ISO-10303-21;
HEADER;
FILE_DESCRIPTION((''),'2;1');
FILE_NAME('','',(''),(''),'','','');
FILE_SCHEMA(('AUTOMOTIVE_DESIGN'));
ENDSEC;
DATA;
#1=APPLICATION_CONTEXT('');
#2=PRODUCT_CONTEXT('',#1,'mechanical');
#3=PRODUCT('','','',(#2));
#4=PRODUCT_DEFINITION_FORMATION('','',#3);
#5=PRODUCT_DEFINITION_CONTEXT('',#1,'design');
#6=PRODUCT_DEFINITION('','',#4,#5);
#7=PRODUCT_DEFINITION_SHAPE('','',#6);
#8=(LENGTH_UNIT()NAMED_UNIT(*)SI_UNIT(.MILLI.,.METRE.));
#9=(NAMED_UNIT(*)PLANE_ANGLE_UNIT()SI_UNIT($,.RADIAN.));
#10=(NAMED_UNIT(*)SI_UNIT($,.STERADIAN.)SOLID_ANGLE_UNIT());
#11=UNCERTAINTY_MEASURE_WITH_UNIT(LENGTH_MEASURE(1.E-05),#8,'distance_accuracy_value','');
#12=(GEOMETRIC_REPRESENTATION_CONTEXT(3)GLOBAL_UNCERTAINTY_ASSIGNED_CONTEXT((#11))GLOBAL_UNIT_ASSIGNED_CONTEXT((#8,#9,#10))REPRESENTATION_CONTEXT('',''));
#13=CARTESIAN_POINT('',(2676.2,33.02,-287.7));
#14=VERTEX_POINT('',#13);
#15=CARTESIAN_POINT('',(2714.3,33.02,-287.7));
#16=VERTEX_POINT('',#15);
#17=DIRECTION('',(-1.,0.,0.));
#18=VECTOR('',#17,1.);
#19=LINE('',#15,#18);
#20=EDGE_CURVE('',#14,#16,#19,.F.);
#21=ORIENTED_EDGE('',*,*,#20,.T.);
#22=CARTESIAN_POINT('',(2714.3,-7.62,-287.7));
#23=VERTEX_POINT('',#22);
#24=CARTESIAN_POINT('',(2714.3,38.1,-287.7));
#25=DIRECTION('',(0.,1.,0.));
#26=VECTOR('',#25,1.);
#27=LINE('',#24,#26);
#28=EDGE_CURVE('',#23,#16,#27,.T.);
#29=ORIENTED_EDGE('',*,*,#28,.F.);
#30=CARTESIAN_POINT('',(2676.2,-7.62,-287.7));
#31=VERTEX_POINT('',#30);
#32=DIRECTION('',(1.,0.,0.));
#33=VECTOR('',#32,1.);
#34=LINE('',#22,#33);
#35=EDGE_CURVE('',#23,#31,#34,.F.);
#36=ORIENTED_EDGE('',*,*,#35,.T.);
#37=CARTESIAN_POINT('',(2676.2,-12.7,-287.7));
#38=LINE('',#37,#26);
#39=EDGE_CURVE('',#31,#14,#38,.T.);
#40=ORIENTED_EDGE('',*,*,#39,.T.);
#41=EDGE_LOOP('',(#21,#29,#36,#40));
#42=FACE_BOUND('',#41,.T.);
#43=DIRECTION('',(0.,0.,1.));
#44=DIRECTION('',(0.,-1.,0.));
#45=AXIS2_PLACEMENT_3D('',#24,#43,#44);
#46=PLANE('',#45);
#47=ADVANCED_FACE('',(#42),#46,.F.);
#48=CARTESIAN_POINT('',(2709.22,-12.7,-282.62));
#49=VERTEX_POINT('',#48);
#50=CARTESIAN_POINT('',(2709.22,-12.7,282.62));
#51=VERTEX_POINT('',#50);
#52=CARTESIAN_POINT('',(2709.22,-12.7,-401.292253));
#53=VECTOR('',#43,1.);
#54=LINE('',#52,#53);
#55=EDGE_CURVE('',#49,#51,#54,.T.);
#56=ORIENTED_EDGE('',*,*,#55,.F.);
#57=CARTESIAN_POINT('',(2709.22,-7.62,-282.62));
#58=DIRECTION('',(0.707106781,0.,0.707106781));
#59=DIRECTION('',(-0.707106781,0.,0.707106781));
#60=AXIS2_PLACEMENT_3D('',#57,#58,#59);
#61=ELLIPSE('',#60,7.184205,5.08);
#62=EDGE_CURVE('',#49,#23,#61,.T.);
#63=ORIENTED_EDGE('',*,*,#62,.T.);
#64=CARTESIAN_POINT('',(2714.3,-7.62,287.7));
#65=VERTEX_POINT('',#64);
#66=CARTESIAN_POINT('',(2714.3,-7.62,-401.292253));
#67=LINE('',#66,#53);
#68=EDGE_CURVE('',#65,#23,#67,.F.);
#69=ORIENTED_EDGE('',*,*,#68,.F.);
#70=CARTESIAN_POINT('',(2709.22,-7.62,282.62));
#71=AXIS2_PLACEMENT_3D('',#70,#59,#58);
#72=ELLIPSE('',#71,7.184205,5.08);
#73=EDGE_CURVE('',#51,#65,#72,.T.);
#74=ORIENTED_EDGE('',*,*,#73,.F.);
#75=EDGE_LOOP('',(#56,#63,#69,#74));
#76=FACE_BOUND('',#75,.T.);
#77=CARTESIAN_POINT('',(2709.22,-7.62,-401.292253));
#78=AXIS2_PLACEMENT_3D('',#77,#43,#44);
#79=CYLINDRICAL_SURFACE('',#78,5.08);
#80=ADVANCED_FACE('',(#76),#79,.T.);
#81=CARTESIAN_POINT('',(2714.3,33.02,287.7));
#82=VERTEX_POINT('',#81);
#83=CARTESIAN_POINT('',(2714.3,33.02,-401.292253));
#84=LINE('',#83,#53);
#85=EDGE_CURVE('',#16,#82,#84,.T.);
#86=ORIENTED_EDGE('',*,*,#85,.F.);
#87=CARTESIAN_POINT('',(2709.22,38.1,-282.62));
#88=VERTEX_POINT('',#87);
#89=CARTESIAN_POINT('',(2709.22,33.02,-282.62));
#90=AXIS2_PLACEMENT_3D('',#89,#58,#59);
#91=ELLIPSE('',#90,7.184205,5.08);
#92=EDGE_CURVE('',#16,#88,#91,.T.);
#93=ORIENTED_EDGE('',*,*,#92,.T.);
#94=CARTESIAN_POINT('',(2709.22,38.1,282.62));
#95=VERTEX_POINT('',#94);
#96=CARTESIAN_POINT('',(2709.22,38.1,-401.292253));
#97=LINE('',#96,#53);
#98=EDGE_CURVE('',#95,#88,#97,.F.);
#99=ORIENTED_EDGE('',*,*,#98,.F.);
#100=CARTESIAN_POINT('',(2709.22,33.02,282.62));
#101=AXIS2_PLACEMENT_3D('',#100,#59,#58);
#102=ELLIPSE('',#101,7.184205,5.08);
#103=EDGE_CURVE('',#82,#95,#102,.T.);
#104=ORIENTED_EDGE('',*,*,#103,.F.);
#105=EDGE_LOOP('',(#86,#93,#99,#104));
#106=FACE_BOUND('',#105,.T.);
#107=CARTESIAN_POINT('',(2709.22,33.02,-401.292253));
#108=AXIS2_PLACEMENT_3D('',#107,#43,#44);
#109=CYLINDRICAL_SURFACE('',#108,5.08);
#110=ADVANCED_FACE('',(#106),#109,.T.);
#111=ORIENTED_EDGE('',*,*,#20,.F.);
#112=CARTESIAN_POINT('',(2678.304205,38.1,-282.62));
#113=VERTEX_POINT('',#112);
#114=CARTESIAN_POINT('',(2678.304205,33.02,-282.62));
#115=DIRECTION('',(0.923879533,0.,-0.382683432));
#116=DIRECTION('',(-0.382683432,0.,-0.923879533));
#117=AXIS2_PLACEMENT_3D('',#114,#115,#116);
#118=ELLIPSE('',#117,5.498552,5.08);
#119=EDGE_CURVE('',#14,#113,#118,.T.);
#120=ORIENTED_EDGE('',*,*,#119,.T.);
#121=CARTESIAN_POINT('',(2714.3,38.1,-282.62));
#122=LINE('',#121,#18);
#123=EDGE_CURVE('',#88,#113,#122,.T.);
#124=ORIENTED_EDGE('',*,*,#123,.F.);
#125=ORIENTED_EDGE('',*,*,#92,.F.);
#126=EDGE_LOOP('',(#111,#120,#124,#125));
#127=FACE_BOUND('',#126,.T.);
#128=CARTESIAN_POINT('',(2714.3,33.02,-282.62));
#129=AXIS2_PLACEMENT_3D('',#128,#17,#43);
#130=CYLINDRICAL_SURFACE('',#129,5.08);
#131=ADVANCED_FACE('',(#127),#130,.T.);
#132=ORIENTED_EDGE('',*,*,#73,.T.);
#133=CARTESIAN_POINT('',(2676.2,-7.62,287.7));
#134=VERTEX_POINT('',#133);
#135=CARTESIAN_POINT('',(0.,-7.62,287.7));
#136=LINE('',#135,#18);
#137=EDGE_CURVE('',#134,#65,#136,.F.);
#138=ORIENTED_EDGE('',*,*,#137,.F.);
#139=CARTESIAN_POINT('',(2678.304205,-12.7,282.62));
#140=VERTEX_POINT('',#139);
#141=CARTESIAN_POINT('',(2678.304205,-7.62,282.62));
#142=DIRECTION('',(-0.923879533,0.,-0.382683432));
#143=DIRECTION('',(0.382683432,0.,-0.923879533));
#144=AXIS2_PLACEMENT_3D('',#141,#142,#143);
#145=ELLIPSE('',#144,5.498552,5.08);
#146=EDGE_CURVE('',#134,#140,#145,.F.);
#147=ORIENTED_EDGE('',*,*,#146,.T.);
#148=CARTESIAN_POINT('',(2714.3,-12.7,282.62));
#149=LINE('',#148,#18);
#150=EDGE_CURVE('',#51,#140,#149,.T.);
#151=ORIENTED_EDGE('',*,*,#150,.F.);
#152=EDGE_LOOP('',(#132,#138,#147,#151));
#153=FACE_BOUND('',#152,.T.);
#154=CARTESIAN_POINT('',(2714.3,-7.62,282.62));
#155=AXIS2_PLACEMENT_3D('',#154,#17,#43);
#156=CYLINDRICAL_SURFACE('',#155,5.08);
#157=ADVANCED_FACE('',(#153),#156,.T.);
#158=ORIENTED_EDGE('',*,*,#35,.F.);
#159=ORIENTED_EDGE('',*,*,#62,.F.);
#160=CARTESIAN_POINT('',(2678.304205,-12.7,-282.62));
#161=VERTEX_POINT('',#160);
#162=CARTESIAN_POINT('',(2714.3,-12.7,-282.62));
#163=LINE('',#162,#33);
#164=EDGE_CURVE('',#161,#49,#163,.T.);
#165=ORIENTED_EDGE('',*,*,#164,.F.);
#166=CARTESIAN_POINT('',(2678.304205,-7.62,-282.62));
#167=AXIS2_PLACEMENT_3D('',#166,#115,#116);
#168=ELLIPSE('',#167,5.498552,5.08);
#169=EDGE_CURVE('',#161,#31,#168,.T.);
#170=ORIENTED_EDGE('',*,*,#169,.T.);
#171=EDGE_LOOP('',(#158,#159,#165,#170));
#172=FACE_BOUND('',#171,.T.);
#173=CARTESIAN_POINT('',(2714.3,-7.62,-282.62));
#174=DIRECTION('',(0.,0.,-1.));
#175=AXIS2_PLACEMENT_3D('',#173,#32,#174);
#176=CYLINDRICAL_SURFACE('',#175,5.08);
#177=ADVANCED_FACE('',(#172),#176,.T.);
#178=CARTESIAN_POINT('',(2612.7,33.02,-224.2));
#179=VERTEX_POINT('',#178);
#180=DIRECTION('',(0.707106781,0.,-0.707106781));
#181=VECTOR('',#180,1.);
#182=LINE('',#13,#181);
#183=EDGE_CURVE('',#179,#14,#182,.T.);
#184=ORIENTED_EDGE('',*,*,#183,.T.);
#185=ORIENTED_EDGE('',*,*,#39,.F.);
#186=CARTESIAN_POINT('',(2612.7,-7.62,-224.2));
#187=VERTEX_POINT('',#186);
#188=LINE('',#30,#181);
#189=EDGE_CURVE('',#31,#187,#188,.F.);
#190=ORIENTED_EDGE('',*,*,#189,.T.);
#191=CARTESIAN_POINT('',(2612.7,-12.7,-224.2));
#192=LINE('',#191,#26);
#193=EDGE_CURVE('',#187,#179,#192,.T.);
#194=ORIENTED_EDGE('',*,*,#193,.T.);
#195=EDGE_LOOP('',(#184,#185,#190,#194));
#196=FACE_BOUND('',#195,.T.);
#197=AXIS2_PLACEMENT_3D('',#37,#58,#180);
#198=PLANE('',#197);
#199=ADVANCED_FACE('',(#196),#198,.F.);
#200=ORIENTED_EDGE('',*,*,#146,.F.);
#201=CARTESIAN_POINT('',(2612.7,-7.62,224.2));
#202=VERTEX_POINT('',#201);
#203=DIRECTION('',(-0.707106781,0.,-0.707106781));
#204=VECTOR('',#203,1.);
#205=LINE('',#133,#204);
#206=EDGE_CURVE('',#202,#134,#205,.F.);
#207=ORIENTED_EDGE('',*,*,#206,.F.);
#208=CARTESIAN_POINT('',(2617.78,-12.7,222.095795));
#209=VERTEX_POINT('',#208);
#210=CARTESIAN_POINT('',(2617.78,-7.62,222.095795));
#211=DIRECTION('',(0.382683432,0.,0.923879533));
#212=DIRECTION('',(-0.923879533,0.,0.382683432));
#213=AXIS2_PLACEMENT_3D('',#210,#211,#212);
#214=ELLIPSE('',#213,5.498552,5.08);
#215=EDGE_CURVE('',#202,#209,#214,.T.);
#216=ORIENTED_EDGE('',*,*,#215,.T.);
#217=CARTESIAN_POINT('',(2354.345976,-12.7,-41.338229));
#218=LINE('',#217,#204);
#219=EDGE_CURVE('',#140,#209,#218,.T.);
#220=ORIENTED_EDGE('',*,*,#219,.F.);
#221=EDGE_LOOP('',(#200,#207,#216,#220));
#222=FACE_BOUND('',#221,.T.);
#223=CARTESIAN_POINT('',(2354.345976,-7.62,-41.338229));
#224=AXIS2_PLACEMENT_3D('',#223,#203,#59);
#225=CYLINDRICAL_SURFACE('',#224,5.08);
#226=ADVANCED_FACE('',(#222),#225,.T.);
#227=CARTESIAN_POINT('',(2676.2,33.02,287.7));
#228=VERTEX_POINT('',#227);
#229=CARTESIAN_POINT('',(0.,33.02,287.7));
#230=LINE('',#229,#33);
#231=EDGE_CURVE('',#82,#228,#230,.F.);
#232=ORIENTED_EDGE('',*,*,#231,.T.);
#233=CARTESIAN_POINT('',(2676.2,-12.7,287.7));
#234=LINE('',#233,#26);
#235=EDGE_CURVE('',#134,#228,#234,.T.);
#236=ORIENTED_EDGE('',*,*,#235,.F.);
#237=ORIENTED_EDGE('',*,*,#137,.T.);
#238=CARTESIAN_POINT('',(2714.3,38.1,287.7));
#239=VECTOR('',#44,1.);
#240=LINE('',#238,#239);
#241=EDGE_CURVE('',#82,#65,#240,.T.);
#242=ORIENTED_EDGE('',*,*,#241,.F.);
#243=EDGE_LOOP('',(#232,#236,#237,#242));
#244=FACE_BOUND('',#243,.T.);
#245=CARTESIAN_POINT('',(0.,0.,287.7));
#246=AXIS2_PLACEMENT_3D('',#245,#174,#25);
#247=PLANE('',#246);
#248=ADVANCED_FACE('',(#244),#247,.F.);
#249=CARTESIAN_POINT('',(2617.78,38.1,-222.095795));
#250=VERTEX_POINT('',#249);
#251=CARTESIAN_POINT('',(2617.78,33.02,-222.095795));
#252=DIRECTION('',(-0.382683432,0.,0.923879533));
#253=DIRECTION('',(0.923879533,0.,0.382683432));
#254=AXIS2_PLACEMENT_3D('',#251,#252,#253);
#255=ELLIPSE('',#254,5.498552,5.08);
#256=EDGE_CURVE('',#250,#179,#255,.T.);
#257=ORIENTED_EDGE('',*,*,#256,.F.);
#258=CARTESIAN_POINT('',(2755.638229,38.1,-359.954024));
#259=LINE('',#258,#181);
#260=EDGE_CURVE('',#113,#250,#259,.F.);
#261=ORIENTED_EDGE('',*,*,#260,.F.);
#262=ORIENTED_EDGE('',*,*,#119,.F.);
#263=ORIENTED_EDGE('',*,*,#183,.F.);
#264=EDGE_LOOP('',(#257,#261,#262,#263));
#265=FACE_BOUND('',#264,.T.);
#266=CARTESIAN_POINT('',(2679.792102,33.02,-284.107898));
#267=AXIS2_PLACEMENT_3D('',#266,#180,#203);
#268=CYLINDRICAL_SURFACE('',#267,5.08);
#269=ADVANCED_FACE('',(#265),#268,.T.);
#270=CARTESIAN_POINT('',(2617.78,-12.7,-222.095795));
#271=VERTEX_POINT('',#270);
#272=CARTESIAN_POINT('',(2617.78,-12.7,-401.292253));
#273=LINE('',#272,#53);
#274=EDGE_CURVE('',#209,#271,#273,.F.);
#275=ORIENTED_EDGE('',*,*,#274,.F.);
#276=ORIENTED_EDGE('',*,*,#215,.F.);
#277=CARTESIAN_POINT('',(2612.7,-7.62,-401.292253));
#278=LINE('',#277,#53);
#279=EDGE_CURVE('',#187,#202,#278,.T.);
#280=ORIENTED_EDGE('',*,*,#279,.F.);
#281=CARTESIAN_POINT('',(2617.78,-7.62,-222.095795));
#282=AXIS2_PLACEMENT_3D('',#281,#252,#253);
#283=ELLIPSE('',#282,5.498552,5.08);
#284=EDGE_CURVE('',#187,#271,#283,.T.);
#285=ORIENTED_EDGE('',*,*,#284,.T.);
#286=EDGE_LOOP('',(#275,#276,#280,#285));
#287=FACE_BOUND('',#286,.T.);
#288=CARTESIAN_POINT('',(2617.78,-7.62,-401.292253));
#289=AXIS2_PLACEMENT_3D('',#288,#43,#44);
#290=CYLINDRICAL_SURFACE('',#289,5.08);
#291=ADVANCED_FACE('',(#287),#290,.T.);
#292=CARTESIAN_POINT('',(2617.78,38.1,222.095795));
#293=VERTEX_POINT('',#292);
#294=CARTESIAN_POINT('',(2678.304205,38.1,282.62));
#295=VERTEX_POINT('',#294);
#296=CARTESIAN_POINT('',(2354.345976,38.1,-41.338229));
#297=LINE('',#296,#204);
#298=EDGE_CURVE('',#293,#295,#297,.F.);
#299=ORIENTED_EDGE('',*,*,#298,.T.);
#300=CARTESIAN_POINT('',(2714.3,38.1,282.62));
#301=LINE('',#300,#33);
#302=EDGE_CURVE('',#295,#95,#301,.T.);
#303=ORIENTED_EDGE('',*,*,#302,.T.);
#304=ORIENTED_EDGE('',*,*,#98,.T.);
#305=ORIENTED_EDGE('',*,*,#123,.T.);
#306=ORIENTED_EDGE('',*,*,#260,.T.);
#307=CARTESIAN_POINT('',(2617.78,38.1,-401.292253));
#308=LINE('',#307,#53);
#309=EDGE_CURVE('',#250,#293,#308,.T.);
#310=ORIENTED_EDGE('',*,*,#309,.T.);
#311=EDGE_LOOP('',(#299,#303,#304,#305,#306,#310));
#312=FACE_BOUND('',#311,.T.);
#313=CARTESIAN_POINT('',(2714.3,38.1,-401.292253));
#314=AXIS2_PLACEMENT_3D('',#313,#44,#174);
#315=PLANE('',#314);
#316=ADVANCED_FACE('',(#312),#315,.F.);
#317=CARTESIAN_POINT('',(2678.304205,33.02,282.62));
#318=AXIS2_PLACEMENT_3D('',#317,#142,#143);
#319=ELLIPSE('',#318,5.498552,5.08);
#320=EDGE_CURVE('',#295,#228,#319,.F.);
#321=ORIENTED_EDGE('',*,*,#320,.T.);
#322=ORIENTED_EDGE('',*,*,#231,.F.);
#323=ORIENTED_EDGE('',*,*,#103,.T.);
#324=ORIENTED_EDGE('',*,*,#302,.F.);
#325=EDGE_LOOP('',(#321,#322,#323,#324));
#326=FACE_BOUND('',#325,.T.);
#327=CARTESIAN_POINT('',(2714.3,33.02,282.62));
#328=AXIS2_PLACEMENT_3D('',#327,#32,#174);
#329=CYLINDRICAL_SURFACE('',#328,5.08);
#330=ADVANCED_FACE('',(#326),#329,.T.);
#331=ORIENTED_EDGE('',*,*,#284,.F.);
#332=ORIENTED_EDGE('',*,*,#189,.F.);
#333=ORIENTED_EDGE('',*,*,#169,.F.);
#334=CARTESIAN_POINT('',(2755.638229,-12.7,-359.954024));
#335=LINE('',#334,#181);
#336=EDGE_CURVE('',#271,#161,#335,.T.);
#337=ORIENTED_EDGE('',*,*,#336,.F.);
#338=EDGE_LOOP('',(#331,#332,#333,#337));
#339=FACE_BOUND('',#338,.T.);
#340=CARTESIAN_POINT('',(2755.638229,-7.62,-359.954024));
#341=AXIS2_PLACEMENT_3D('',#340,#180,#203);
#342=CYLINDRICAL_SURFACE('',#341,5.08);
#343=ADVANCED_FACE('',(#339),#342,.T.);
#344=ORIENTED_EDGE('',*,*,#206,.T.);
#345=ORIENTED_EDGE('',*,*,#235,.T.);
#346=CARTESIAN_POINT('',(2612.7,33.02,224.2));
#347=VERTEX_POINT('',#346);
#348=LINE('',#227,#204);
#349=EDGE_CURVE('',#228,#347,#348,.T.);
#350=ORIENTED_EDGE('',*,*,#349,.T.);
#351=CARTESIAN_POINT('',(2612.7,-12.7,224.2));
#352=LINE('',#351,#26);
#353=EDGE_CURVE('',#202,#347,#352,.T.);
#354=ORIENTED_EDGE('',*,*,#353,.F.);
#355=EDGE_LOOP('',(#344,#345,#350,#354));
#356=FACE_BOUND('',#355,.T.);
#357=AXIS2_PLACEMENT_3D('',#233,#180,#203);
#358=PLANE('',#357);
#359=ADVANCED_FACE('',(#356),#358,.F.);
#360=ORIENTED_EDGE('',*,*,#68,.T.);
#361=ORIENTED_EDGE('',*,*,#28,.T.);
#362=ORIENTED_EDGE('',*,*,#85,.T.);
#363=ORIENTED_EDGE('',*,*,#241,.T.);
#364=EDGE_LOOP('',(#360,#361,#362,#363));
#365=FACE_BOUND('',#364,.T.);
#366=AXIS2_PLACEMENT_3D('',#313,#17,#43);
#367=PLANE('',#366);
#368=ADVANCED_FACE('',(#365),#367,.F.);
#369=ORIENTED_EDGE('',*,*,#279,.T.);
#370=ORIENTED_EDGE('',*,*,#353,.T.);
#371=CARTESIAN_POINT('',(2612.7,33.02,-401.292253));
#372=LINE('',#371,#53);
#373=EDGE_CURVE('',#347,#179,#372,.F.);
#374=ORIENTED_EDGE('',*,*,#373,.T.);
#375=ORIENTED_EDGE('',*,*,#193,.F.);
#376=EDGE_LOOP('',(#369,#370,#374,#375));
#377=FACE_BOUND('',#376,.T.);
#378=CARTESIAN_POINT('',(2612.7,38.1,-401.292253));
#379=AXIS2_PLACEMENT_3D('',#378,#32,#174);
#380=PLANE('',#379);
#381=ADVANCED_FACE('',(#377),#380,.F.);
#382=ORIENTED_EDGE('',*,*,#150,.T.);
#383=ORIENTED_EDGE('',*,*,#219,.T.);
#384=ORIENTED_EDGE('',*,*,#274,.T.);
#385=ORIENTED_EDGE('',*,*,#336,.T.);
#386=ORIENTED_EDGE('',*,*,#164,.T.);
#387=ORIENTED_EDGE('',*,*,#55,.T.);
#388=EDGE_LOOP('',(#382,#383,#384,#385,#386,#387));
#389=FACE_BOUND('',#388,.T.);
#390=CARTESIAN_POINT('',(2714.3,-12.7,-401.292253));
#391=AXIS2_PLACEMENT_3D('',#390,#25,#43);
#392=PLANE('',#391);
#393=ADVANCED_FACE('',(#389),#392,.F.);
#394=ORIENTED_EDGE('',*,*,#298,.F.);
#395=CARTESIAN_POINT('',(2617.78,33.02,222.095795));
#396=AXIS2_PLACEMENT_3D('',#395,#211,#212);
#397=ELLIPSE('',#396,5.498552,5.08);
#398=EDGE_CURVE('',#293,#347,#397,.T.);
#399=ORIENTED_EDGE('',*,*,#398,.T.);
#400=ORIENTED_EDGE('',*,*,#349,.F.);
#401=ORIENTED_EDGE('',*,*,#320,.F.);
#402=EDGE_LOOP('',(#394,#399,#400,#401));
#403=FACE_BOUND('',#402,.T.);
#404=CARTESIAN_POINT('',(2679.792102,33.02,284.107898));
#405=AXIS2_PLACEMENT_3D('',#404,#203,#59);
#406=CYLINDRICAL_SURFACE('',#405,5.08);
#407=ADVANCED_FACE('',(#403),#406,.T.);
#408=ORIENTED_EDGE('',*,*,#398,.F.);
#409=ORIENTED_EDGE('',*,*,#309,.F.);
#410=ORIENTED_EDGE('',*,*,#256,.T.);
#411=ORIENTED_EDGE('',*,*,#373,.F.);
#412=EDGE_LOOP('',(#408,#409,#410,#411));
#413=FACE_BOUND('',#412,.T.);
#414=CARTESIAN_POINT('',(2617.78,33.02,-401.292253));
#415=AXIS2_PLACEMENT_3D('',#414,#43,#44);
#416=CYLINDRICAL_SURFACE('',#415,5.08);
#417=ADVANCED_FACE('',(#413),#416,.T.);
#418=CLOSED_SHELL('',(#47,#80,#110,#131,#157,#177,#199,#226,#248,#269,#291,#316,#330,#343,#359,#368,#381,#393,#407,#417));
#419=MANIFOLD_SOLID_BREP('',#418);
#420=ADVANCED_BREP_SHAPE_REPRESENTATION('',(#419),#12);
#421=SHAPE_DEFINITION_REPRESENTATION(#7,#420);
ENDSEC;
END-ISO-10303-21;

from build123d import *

# Parameters (mm, degrees)
SKETCH2_W           = 101.6
SKETCH2_H           = 50.8
BOSS_EXTRUDE1_DEPTH = 575.4
CUT_EXTRUDE1_DEPTH  = 51.8
FILLET1_R           = 5.08


with BuildPart() as part:
    # Sketch2 → Boss-Extrude1 (new body)
    with BuildSketch(Plane(origin=(0, 0, 287.7), x_dir=(-1, 0, 0), z_dir=(0, 0, -1))):
        with Locations((-2663.5, 12.7)):
            Rectangle(SKETCH2_W, SKETCH2_H)
    extrude(amount=BOSS_EXTRUDE1_DEPTH)

    # Sketch5 → Cut-Extrude1 (cut, through all)
    with BuildSketch(Plane(origin=(0, 38.1, 0), x_dir=(1, 0, 0), z_dir=(0, 1, 0))):
        Polygon((2612.7, -287.7), (2676.2, -287.7), (2612.7, -224.2), align=None)
        Polygon((2676.2, 287.7), (2612.7, 224.2), (2612.7, 287.7), align=None)
    extrude(amount=-CUT_EXTRUDE1_DEPTH, mode=Mode.SUBTRACT)

    # Fillet1
    fillet1_edges = [part.edges().sort_by_distance(p)[0] for p in [
        (2714.3, 38.1, 0),
        (2695.25, 38.1, -287.7),
        (2714.3, -12.7, 0),
        (2695.25, -12.7, -287.7),
        (2612.7, -12.7, 0),
        (2612.7, 38.1, 0),
        (2695.25, 38.1, 287.7),
        (2644.45, -12.7, -255.95),
        (2644.45, 38.1, -255.95),
        (2644.45, -12.7, 255.95),
        (2644.45, 38.1, 255.95),
        (2695.25, -12.7, 287.7),
    ]]
    fillet(fillet1_edges, radius=FILLET1_R)


solid = part.part
